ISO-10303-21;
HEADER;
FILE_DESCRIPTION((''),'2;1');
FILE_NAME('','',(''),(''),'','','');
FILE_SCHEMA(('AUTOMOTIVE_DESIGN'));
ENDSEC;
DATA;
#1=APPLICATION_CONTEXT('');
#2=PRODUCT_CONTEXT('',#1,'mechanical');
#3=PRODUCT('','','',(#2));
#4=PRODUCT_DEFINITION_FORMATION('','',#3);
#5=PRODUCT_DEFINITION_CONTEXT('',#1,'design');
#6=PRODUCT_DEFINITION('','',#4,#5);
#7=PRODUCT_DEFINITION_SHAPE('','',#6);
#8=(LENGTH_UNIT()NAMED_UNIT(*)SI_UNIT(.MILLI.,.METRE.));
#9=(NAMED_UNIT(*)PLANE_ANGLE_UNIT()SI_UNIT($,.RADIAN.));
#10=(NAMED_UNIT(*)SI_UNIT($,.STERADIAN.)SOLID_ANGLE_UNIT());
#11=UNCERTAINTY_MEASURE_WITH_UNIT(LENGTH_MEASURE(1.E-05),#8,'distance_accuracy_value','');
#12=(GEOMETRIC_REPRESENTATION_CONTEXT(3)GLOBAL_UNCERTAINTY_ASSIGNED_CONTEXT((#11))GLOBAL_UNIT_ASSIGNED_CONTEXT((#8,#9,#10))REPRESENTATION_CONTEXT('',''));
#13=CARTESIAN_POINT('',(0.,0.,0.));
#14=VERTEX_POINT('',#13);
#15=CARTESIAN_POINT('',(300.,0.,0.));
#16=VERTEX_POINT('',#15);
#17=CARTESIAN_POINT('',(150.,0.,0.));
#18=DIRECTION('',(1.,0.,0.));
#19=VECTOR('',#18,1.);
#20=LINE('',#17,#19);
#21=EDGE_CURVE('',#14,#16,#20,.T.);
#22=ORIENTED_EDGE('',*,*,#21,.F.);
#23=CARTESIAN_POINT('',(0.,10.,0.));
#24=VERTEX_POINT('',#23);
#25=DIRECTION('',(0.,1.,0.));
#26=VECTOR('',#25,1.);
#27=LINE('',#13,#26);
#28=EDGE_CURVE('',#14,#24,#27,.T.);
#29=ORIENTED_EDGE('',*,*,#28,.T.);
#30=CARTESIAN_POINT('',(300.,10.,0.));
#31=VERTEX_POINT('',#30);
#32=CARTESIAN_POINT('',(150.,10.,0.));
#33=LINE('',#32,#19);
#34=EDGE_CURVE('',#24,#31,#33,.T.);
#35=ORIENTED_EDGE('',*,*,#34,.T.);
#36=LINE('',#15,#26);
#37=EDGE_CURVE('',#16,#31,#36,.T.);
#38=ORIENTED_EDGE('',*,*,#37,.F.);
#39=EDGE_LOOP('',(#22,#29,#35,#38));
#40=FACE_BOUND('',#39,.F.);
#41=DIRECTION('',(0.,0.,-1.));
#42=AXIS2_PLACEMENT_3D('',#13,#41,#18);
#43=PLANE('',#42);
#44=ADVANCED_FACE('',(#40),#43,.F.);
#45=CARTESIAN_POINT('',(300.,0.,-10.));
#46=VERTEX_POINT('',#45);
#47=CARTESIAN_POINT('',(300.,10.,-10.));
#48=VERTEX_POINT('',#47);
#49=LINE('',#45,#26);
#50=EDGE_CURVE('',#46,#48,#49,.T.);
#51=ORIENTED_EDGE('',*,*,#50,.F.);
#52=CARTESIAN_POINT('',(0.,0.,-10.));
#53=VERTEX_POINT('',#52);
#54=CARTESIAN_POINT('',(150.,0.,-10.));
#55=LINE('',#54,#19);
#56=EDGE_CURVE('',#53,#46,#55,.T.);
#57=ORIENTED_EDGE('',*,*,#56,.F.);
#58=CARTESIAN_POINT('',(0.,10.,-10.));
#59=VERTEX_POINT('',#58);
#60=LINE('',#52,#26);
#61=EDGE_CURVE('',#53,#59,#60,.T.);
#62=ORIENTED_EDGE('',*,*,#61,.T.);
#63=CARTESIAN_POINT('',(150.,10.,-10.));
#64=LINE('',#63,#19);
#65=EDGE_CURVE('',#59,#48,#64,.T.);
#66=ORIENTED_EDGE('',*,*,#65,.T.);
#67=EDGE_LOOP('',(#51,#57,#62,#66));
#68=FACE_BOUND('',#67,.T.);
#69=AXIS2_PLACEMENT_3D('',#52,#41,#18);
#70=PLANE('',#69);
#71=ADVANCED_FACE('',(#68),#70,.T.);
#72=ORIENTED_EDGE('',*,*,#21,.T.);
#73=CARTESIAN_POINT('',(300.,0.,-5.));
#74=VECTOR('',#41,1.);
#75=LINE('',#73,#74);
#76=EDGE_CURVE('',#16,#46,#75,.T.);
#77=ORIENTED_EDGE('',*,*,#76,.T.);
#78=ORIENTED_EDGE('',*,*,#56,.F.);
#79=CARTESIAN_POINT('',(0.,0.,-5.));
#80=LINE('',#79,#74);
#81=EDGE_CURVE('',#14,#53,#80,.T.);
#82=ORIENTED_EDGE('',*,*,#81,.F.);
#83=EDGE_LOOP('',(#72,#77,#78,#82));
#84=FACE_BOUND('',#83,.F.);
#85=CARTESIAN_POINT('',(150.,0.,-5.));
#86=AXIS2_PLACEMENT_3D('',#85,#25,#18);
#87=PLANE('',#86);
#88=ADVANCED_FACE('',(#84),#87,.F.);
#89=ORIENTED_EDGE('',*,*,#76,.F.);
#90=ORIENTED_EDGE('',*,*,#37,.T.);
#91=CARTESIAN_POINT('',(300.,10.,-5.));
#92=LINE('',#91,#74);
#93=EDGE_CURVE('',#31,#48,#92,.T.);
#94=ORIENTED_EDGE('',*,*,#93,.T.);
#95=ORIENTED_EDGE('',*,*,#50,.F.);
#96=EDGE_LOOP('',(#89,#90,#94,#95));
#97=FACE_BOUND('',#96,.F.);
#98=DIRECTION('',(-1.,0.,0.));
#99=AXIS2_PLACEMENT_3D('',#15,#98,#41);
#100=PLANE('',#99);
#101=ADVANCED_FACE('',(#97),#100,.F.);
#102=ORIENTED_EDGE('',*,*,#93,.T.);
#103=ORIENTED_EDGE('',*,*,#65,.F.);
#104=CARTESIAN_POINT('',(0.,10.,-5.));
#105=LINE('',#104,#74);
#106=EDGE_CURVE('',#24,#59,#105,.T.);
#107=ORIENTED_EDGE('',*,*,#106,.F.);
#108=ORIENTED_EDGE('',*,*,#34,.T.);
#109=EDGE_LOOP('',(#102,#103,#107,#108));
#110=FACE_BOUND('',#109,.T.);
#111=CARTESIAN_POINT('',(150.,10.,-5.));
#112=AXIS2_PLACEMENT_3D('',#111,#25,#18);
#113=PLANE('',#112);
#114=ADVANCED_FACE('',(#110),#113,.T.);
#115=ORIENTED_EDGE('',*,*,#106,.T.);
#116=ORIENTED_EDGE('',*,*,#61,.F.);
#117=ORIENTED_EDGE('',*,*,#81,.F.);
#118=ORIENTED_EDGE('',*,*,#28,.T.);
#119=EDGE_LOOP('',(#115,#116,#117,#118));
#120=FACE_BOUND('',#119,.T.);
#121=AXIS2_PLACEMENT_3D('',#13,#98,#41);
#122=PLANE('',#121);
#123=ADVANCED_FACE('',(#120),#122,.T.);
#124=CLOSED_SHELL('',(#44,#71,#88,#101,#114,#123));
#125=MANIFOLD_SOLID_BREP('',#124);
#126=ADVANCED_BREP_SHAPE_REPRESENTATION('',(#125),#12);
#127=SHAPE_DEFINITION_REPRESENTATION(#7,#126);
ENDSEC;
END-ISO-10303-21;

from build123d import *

# Parameters (mm, degrees)
SKETCH1_W           = 300
SKETCH1_H           = 10
BOSS_EXTRUDE1_DEPTH = 10


with BuildPart() as part:
    # Sketch1 → Boss-Extrude1 (new body)
    with BuildSketch(Plane(origin=(0, 0, 0), x_dir=(1, 0, 0), z_dir=(0, 1, 0))):
        with Locations((150, 5)):
            Rectangle(SKETCH1_W, SKETCH1_H)
    extrude(amount=BOSS_EXTRUDE1_DEPTH)


solid = part.part
